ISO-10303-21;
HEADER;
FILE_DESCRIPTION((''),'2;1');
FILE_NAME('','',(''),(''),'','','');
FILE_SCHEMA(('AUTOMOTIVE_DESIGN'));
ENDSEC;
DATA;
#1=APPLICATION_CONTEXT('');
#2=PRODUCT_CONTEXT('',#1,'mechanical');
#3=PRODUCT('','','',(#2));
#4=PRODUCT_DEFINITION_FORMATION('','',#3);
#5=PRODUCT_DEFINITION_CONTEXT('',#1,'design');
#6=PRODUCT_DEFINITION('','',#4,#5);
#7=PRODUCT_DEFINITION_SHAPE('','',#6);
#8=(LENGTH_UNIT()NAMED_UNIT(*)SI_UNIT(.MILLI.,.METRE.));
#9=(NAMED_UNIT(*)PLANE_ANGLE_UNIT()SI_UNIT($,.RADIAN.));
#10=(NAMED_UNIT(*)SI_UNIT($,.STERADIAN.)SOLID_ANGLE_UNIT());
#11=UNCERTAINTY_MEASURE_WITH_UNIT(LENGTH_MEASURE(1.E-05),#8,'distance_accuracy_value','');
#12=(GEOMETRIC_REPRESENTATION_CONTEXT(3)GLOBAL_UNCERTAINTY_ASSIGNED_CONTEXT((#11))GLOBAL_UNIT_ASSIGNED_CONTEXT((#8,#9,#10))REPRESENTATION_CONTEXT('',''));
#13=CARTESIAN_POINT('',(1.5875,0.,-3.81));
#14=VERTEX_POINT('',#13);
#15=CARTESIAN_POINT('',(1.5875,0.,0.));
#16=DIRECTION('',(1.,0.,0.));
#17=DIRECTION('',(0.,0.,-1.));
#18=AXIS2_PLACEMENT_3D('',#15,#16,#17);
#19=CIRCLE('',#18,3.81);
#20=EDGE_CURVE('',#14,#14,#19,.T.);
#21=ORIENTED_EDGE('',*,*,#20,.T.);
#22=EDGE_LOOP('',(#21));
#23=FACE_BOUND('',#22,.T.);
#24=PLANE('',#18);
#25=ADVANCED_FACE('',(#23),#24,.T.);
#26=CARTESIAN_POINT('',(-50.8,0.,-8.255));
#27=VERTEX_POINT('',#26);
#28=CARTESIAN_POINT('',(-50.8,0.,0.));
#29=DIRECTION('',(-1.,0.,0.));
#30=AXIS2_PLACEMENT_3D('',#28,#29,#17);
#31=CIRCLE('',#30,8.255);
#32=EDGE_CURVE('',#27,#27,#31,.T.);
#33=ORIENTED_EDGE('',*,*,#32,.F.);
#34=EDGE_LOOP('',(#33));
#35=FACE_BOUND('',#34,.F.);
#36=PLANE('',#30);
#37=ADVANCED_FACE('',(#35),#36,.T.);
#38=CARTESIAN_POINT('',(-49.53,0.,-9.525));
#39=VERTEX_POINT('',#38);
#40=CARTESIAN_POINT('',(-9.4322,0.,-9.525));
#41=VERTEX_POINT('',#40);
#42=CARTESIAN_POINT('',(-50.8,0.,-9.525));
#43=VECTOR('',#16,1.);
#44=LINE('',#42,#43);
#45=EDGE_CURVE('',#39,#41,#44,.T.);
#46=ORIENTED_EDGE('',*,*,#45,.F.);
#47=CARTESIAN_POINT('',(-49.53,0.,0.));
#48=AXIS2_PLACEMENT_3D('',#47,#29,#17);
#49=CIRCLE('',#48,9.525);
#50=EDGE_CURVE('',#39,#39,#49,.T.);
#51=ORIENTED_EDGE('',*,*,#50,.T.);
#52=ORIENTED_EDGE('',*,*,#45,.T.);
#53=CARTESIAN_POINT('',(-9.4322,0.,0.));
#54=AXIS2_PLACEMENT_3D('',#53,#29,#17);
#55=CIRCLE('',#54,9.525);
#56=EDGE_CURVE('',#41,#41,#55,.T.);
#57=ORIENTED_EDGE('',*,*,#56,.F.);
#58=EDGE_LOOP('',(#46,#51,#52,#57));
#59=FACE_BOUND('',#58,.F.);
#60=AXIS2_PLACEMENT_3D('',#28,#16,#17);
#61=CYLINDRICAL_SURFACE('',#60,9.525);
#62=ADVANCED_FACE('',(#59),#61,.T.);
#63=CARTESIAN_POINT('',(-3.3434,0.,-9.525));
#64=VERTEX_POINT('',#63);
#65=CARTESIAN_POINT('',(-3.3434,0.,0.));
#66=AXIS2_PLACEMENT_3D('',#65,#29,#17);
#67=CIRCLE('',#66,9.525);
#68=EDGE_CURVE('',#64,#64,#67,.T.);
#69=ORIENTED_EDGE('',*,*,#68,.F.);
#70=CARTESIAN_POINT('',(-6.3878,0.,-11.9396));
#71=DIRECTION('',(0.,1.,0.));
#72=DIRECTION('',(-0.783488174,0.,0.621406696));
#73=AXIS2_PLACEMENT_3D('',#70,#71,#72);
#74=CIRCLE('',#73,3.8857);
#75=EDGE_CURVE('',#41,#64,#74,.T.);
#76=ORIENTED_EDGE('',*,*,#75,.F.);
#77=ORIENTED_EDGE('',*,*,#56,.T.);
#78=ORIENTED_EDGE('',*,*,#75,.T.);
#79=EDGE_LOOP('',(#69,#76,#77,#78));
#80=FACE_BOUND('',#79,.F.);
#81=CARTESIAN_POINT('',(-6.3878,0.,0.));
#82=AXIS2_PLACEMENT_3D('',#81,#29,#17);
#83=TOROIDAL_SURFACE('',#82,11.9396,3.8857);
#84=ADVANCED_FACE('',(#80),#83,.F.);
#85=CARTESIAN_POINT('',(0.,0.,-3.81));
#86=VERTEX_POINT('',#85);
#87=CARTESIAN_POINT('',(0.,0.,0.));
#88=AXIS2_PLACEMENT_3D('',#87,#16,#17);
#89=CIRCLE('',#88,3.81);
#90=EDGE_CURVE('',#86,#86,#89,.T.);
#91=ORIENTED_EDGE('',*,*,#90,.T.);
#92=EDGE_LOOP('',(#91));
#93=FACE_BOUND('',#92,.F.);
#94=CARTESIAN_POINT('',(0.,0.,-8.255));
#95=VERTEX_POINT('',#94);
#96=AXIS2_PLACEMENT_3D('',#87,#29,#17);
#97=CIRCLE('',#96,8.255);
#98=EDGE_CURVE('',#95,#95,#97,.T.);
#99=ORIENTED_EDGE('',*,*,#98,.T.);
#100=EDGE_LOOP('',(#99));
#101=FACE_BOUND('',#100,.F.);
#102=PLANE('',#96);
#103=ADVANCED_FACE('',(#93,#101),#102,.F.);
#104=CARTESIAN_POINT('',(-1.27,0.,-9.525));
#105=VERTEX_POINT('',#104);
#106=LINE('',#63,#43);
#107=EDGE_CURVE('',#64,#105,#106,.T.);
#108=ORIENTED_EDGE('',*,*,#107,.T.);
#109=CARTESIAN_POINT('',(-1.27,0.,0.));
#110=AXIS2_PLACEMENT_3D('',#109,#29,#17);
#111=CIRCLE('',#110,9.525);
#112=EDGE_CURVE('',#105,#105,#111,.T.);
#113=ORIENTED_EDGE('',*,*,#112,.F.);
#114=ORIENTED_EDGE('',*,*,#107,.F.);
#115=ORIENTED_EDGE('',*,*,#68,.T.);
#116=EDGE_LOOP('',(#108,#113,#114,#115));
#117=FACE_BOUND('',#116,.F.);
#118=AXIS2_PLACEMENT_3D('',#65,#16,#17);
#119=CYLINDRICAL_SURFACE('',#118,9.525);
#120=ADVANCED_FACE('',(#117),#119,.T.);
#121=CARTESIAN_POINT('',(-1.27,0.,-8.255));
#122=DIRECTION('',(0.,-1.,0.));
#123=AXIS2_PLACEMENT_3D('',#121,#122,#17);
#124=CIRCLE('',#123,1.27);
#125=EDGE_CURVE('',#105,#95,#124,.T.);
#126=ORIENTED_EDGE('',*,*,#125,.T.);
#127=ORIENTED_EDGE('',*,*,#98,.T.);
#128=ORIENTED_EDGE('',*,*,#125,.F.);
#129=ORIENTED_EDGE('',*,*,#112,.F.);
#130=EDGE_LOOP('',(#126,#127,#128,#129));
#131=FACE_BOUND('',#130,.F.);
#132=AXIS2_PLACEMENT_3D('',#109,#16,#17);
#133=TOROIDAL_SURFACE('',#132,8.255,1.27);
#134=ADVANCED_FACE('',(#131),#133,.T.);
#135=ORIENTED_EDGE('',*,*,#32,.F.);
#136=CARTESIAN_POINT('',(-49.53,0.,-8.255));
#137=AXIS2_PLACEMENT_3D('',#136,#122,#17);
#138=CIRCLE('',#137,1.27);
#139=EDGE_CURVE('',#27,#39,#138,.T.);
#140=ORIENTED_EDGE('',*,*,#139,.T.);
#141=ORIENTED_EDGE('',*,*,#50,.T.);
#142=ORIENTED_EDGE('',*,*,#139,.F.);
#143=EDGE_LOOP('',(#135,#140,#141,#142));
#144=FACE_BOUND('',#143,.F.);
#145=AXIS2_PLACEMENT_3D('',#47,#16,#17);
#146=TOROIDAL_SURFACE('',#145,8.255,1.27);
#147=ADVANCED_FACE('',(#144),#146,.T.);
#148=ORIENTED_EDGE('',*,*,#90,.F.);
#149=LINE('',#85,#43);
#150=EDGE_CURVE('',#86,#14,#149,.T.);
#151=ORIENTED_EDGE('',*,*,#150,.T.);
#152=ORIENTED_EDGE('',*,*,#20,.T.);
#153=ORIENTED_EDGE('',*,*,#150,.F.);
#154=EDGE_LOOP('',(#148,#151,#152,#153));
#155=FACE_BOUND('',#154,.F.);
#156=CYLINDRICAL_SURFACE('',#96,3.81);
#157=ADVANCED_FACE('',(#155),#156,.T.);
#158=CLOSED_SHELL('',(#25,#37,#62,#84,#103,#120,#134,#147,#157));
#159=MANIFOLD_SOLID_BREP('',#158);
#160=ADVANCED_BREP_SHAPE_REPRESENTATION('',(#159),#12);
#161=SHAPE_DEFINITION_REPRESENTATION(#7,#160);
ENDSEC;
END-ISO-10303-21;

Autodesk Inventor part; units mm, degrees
ref_plane "YZ Plane" through (0, 0, 0) normal (1, 0, 0) x (0, 1, 0)
ref_plane "XZ Plane" through (0, 0, 0) normal (0, 1, 0) x (-1, 0, 0)
ref_plane "XY Plane" through (0, 0, 0) normal (0, 0, 1) x (1, 0, 0)
sketch "Sketch1" plane through (0, 0, 0) normal (0, 1, 0) x (-1, 0, 0)
  line L0 (0, 0) -> (50.8, 0)
  line L1 (50.8, 0) -> (50.8, -9.525)
  line L2 (0, -9.525) -> (0, 0)
  line L3 (50.8, -9.525) -> (9.4322, -9.525)
  line L4 (3.3434, -9.525) -> (0, -9.525)
  arc A0 (9.4322, -9.525) -> (3.3434, -9.525) centre (6.3878, -11.9396) ccw
  point P0 (3.3434, 0)
  dimension "d1" = 9.525
revolve "Revolution1" add sketch "Sketch1" angle 360 about axis through (0, 0, 0) along (-1, 0, 0)
sketch "Sketch2" plane through (0, 0, 0) normal (1, 0, 0) x (0, 0, -1)
  circle A0 centre (0, 0) radius 3.81
  dimension "d3" = 7.62
extrude "Extrusion1" add sketch "Sketch2" along normal blind 1.5875
fillet "Fillet1" radius 1.27 2 edges at (0, 0, 9.525) (-50.8, 0, 9.525)
properties part number "bATTERY"
